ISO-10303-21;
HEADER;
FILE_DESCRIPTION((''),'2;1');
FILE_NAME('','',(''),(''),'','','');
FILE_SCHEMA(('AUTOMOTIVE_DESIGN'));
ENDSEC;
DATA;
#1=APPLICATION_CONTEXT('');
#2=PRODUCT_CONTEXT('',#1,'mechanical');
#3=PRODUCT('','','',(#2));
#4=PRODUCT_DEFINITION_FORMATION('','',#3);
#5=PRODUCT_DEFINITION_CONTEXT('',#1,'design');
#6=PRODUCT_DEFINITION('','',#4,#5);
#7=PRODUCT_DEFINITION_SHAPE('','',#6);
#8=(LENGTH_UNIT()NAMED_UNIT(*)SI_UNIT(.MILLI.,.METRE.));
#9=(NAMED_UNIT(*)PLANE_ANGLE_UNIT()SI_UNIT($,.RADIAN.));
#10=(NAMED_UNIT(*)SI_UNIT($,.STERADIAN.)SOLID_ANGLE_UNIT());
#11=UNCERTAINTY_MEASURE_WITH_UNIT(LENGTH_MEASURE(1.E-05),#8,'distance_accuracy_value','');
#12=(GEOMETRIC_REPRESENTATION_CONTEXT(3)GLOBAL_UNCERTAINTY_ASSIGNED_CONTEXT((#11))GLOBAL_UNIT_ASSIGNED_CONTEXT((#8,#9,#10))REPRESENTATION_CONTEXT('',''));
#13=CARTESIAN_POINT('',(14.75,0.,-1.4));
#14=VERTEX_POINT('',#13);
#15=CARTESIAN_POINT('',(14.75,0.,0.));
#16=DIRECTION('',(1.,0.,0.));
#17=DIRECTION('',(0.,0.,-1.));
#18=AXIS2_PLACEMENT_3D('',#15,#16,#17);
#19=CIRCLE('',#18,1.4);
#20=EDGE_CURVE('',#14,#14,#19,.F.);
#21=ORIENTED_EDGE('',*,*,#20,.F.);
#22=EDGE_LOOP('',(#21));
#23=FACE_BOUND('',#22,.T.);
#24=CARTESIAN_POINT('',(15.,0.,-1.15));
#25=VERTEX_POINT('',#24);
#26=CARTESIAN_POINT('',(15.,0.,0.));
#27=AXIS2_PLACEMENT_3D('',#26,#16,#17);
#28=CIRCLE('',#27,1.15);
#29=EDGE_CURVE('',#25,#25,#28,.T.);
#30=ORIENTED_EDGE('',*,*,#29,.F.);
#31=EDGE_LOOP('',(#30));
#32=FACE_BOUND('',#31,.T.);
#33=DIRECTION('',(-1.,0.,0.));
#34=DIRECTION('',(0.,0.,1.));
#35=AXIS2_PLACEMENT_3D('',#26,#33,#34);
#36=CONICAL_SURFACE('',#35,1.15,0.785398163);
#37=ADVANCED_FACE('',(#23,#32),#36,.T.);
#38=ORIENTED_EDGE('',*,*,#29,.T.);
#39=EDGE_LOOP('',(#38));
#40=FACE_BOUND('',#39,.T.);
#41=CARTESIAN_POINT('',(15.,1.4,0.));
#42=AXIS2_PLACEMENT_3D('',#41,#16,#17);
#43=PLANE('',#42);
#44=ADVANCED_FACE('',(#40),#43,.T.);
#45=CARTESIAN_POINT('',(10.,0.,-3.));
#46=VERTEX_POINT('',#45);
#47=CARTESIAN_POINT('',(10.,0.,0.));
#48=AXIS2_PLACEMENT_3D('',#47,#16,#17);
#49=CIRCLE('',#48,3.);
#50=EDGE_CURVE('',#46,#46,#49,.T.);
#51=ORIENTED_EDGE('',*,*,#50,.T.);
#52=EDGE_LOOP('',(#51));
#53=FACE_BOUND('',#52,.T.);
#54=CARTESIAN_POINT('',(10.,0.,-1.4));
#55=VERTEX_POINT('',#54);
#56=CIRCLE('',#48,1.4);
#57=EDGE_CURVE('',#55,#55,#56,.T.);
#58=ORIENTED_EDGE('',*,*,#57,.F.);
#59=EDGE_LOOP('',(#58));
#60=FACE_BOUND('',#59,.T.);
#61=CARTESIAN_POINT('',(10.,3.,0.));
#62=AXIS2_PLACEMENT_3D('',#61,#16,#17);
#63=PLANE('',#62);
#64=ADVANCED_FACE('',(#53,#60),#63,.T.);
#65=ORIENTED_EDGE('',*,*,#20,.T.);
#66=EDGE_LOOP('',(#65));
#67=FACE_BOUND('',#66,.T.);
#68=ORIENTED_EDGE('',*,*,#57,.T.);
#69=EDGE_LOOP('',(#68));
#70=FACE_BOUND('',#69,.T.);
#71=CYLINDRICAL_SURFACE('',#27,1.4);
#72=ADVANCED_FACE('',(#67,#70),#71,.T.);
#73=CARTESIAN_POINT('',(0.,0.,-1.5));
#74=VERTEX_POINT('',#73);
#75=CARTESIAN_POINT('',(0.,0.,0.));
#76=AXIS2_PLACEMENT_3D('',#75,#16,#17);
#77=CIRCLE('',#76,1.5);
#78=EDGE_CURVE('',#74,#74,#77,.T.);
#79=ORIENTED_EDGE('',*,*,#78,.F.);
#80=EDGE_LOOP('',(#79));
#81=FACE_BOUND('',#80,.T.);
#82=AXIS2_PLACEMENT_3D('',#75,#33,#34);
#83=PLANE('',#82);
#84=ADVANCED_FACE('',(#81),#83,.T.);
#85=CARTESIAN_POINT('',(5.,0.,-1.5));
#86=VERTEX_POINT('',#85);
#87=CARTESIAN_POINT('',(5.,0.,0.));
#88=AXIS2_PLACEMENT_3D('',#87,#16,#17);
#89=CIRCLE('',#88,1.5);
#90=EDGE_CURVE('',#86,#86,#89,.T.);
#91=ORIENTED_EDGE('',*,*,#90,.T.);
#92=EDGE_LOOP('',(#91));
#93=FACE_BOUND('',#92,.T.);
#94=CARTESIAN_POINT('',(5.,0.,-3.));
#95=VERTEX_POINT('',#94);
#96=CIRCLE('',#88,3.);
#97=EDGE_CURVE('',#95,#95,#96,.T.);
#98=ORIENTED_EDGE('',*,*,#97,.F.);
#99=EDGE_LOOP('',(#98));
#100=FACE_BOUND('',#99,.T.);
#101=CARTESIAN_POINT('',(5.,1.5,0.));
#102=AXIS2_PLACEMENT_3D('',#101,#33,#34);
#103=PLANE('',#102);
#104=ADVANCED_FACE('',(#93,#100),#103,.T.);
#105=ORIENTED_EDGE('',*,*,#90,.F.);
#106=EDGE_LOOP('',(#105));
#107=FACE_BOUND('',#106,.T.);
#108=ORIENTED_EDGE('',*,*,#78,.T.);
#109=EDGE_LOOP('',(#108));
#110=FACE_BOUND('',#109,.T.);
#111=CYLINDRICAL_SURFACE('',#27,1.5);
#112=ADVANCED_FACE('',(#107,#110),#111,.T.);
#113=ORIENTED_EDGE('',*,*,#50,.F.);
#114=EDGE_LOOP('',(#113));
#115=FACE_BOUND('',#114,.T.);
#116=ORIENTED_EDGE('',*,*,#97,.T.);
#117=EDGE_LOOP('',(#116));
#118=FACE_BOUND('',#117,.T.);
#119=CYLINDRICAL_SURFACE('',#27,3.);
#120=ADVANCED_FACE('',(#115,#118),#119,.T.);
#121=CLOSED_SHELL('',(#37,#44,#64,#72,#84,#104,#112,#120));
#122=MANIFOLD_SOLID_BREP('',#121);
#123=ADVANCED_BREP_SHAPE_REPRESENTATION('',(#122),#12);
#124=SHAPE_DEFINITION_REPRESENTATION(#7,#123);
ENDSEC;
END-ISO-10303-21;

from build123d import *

# Parameters (mm, degrees)
CHANFREIN1_SIZE = 0.25


with BuildPart() as part:
    # Esquisse1 → Révolution1 (revolve)
    with BuildSketch(Plane.XY, mode=Mode.PRIVATE) as r_volution1_sk:
        Polygon((0, 0), (0, 1.5), (5, 1.5), (5, 3), (10, 3), (10, 1.4), (15, 1.4), (15, 0), align=None)
    revolve(r_volution1_sk.sketch.rotate(Axis((15, 0, 0), (-1, 0, 0)), 90), axis=Axis((15, 0, 0), (-1, 0, 0)))  # turned: the seam where the file's is

    # Chanfrein1
    chanfrein1_edges = [part.edges().sort_by_distance(p)[0] for p in [
        (15, 0, 1.4),
    ]]
    chamfer(chanfrein1_edges, length=CHANFREIN1_SIZE)


solid = part.part
